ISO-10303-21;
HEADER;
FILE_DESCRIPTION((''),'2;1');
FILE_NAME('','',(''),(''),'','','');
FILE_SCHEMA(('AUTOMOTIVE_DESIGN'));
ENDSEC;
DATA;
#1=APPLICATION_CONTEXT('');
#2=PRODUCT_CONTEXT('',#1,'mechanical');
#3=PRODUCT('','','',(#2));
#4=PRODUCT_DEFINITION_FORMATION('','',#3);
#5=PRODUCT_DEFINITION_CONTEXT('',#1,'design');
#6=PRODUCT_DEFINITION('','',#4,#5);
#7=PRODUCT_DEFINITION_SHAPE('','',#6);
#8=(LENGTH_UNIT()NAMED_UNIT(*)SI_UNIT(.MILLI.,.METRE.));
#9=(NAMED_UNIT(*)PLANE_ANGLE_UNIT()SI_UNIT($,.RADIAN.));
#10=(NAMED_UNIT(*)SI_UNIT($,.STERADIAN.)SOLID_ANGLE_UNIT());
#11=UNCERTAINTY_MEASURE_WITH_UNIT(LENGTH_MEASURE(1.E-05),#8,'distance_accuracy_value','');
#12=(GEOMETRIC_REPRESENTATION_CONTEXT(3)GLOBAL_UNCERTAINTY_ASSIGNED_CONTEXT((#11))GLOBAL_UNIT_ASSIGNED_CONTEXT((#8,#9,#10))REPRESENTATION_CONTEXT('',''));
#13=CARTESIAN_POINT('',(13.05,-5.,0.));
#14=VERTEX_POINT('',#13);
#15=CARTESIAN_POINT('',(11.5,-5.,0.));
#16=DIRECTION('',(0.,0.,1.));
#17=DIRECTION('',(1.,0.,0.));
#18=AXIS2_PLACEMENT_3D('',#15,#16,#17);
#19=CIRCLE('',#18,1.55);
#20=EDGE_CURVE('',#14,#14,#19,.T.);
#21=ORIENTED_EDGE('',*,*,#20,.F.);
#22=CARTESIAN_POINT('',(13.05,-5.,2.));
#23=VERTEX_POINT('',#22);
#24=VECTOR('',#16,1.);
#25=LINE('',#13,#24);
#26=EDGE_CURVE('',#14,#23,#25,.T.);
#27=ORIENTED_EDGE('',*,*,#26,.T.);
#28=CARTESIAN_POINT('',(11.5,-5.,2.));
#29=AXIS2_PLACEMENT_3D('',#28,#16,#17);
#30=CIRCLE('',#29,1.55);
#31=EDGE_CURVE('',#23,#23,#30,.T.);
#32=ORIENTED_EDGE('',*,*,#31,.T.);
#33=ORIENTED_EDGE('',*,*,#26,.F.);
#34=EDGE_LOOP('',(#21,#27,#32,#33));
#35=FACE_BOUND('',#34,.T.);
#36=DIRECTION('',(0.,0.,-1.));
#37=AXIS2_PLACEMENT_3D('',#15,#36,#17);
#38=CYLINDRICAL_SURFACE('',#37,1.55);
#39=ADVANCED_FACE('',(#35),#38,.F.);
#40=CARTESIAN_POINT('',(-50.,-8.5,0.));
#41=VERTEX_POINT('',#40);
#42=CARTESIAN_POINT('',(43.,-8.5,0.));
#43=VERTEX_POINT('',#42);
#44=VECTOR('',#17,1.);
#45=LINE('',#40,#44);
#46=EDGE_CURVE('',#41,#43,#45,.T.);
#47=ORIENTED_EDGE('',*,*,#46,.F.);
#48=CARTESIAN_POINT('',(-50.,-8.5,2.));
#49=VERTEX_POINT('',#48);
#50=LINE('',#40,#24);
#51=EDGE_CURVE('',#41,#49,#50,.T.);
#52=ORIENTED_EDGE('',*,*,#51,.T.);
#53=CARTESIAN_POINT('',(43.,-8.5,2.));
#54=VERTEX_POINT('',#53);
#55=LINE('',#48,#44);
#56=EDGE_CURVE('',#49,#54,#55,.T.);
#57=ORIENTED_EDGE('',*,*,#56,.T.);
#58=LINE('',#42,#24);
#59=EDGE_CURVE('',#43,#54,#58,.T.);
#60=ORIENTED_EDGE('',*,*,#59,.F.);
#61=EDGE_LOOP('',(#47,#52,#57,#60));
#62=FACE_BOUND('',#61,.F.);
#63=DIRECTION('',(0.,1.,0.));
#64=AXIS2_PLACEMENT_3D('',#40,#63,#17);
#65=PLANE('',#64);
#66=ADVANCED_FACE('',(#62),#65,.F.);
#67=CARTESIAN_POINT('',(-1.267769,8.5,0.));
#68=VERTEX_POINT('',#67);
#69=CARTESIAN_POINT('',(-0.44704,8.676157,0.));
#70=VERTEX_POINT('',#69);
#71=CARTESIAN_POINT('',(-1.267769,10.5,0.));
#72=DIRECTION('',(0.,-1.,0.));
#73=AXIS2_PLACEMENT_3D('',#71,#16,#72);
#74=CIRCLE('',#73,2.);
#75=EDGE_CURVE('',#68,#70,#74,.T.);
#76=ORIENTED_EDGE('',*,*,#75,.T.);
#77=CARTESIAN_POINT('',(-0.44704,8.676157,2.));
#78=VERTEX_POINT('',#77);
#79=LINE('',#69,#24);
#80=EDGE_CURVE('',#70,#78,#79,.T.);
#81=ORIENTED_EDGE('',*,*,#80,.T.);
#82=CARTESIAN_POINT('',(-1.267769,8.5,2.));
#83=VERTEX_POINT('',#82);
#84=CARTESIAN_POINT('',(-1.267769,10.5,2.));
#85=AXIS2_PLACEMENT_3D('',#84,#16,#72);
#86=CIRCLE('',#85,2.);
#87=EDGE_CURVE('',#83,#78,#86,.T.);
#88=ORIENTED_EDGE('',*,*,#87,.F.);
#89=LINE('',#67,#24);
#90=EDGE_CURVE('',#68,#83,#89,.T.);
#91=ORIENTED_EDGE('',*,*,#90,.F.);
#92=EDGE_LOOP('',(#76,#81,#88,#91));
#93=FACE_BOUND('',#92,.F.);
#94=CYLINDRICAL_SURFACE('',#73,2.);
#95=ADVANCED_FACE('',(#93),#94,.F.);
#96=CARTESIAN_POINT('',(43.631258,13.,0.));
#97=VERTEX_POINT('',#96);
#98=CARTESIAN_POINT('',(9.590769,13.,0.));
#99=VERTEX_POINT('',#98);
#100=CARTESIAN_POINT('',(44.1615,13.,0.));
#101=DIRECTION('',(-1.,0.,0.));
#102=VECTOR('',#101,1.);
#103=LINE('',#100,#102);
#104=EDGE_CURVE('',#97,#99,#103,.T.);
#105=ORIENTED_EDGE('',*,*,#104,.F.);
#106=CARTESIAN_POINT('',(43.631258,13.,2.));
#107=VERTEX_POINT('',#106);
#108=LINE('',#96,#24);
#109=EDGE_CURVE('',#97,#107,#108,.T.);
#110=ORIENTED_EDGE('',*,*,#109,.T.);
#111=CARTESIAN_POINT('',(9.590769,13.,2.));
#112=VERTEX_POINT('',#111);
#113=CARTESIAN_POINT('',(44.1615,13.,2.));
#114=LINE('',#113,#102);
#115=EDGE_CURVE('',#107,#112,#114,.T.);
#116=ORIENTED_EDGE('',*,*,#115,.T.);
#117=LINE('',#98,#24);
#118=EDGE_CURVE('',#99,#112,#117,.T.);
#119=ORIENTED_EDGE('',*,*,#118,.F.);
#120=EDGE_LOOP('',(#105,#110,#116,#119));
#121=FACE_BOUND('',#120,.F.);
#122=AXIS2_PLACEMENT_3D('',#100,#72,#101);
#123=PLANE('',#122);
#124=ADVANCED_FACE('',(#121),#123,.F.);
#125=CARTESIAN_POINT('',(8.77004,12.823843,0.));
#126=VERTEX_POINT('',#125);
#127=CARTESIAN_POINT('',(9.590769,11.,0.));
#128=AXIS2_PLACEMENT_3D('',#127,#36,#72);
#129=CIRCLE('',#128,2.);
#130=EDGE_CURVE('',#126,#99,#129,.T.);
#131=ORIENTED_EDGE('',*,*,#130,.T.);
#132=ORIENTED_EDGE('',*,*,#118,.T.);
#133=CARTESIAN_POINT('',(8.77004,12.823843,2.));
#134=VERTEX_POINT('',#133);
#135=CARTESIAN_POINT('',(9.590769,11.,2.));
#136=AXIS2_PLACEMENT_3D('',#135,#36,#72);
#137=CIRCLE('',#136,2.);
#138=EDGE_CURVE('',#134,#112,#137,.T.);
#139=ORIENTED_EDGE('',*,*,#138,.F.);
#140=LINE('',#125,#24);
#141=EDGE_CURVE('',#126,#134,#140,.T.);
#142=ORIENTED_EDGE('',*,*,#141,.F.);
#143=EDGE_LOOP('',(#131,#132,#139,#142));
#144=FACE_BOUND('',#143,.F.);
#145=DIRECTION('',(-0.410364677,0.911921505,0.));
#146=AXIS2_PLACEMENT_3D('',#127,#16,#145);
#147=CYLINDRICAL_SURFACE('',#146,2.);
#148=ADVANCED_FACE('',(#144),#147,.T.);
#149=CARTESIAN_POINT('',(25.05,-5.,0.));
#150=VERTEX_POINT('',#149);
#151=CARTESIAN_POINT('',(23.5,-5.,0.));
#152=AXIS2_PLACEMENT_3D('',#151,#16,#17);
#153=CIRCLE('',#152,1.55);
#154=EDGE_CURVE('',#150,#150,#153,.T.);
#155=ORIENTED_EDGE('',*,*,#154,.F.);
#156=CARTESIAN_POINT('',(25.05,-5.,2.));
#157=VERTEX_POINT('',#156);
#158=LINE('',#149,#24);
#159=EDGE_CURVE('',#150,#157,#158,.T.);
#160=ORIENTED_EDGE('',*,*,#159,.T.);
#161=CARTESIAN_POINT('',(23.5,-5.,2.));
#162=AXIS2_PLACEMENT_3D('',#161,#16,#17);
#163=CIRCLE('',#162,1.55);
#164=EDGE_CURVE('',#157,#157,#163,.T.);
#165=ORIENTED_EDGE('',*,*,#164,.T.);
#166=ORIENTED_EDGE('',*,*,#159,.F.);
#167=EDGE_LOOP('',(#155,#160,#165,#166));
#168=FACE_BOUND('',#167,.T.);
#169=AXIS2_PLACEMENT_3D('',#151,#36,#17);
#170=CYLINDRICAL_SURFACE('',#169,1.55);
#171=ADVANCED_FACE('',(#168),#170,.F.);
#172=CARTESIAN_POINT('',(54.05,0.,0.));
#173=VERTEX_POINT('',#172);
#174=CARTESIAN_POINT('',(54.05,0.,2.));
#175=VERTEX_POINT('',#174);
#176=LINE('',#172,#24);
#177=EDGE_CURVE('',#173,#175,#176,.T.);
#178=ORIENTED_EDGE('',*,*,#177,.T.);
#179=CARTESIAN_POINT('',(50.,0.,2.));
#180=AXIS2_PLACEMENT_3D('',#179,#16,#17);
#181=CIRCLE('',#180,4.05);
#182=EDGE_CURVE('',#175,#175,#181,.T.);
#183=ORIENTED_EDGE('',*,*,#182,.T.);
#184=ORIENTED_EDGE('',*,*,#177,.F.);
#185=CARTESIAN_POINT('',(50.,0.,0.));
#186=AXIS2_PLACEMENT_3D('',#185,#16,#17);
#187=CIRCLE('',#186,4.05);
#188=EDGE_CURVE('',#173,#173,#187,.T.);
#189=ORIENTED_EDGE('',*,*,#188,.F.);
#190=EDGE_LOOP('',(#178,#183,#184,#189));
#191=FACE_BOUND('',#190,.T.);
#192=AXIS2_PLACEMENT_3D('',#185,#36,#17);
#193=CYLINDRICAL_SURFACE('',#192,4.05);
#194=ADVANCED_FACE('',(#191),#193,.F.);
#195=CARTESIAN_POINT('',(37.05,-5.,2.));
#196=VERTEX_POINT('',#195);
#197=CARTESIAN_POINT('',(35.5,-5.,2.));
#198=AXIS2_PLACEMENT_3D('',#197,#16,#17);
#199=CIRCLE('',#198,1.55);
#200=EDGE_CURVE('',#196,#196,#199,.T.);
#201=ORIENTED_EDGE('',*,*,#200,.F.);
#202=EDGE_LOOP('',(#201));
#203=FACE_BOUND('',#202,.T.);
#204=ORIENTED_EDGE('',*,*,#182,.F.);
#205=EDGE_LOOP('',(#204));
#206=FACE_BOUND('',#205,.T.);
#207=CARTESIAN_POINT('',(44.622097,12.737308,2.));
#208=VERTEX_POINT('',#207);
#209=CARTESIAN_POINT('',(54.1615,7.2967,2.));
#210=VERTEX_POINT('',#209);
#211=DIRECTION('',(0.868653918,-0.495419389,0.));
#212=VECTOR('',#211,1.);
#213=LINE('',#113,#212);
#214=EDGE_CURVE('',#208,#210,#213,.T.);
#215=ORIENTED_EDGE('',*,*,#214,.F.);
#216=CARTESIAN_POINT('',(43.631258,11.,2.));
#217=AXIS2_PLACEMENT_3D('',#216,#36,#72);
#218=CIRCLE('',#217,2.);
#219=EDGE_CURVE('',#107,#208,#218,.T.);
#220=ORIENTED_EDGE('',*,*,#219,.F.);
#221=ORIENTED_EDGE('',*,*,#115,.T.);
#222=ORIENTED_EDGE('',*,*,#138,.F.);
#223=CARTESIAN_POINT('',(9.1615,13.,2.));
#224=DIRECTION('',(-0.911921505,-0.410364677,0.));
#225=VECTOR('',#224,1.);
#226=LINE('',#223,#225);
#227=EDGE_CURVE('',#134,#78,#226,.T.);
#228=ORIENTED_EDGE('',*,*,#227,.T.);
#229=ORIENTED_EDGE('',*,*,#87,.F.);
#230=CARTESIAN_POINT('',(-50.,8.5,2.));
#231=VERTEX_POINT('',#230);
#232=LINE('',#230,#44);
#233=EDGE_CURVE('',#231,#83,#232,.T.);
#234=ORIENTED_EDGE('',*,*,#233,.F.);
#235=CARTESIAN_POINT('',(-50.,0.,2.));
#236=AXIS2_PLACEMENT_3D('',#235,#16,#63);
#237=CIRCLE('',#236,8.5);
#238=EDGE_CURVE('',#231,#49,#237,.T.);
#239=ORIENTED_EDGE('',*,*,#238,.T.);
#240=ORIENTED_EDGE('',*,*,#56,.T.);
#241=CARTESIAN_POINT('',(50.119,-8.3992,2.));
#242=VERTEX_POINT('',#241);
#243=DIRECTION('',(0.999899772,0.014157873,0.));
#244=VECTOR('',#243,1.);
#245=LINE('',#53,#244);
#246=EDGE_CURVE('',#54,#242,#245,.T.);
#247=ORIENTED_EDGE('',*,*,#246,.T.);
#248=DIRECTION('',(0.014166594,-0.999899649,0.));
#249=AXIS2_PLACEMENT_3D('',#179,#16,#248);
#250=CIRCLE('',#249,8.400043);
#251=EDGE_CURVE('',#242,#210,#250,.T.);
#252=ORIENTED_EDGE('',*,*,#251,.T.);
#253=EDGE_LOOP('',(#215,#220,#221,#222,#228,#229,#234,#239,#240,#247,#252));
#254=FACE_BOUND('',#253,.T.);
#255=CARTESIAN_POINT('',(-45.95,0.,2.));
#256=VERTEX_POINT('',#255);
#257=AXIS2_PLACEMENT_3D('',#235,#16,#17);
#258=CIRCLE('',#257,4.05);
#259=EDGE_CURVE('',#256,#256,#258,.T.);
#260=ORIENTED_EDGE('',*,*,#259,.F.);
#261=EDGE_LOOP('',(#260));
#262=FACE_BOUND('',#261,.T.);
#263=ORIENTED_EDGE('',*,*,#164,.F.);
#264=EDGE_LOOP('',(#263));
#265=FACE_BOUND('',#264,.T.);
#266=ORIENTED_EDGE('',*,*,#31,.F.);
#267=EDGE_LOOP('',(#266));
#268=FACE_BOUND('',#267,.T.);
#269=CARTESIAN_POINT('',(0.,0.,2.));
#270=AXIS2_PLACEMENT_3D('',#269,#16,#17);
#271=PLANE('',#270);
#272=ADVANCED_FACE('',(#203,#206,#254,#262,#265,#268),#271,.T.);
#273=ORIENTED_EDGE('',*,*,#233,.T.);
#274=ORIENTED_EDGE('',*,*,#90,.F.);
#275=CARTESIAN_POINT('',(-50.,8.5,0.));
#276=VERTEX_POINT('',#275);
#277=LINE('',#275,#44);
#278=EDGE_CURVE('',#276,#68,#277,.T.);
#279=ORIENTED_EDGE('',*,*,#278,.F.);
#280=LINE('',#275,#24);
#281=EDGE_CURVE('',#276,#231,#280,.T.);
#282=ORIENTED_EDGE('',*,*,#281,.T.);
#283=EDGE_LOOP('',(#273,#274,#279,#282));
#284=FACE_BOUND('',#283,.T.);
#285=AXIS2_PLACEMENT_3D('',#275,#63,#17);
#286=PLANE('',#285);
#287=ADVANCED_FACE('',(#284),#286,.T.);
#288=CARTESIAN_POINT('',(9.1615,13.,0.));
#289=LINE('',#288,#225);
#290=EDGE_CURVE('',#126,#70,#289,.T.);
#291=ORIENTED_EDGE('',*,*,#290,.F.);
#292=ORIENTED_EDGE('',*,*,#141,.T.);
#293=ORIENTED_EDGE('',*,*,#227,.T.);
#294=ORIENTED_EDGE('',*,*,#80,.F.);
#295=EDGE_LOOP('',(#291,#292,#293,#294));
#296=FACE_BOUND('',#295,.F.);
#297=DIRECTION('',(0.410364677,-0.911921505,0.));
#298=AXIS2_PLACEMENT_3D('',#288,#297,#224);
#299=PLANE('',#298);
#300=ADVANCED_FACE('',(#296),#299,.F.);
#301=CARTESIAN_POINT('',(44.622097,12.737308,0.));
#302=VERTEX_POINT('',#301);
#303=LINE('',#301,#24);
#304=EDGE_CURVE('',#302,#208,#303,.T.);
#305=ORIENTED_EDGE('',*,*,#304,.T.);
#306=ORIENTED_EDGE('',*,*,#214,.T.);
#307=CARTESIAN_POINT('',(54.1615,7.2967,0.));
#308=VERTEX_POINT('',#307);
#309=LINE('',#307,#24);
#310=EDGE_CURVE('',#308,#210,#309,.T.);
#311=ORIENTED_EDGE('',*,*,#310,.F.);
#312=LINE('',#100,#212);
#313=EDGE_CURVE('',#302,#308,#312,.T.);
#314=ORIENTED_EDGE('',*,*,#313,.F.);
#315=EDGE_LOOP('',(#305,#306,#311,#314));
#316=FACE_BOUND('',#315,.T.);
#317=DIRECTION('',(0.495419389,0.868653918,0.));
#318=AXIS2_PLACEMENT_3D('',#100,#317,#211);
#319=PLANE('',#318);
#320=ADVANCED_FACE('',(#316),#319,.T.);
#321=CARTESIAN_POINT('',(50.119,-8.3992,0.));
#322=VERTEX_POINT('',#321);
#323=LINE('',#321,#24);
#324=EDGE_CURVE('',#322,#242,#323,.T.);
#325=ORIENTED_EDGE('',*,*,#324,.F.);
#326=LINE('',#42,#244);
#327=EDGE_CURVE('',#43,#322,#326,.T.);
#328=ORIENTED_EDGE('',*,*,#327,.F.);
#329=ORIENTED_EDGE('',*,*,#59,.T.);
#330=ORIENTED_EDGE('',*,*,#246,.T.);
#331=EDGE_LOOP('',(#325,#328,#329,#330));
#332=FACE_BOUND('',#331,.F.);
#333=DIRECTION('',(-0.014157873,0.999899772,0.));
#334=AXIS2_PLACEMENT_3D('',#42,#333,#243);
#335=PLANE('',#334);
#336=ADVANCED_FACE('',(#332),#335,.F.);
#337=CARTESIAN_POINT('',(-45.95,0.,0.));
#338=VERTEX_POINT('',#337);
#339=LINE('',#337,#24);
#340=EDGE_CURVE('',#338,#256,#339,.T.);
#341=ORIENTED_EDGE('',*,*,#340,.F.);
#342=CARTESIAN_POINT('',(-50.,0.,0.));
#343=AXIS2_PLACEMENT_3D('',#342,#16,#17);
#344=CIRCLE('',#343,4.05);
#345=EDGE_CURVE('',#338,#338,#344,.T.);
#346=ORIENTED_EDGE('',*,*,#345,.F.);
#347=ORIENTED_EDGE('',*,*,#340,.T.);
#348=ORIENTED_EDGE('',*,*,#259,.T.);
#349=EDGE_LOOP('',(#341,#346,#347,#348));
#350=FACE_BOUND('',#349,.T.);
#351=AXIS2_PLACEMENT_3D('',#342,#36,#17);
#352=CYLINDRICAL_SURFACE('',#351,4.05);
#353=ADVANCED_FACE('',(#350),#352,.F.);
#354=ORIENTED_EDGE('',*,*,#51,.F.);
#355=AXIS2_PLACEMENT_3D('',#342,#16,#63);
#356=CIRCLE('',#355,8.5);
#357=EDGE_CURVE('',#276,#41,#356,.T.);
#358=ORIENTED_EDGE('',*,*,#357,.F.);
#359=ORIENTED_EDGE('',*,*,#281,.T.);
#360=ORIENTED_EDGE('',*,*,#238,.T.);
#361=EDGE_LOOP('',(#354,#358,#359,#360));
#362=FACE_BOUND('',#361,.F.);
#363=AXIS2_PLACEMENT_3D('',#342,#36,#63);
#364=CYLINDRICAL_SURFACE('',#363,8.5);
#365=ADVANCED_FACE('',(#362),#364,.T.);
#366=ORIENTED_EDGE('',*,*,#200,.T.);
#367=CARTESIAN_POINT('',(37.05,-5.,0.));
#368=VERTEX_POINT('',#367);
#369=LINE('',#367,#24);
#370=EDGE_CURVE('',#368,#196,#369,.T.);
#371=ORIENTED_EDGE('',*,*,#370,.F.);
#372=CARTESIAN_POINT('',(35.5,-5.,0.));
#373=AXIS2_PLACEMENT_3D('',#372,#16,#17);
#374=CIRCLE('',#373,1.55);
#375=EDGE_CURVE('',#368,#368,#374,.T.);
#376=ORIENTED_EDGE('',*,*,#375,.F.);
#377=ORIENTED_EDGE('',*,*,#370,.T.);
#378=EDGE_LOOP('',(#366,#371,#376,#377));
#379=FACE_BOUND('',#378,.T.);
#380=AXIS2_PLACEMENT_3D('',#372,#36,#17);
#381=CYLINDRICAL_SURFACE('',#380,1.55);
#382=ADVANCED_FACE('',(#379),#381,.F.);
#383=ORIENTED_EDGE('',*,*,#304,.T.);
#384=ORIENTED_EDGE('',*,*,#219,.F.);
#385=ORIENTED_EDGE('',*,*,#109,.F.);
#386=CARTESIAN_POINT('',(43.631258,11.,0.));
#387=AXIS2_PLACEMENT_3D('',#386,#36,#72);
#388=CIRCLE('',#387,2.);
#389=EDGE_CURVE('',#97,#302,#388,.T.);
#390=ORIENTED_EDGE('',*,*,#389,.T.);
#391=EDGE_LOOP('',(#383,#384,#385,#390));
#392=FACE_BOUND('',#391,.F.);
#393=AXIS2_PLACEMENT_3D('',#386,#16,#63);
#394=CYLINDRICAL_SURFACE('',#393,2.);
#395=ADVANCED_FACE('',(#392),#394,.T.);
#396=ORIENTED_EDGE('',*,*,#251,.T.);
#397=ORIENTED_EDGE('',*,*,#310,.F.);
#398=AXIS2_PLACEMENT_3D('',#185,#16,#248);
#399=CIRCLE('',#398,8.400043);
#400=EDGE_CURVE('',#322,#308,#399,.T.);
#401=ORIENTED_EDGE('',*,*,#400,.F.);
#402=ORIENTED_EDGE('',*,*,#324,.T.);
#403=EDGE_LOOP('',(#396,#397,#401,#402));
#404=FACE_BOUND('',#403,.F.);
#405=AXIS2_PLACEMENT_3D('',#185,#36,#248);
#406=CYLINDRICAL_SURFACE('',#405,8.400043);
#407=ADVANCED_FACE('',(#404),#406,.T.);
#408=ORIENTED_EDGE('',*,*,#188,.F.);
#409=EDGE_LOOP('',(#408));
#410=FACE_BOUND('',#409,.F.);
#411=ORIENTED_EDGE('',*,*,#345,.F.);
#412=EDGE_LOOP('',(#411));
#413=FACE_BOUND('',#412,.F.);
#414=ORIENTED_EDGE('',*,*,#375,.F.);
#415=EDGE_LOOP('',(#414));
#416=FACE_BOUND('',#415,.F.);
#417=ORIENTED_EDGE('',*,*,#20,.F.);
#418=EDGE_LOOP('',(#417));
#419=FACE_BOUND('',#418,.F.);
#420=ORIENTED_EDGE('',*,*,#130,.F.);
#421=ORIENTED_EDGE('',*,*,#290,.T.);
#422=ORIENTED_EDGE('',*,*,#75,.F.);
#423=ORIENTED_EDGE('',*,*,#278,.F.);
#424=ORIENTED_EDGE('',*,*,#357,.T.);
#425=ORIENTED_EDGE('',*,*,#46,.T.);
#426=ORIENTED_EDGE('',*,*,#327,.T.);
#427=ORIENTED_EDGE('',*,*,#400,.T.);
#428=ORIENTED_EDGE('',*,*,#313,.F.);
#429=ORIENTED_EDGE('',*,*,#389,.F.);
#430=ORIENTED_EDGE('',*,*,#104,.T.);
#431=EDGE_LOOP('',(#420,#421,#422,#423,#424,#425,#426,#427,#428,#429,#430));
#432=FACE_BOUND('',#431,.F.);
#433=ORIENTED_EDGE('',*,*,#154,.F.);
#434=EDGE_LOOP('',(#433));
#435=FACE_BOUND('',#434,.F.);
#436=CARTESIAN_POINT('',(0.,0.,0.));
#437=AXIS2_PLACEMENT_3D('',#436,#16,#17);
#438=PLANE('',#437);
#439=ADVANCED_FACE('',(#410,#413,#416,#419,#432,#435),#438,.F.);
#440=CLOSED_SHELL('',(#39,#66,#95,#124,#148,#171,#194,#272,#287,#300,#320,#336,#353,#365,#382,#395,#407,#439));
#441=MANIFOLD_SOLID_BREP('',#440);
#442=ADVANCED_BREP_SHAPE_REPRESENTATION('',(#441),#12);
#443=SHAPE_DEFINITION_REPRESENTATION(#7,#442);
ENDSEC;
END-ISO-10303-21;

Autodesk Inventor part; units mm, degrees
ref_plane "YZ Plane" through (0, 0, 0) normal (1, 0, 0) x (0, 1, 0)
ref_plane "XZ Plane" through (0, 0, 0) normal (0, 1, 0) x (-1, 0, 0)
ref_plane "XY Plane" through (0, 0, 0) normal (0, 0, 1) x (1, 0, 0)
sketch "スケッチ1" plane through (0, 0, 0) normal (0, 0, 1) x (1, 0, 0)
  line L0 (-50, 0) -> (50, 0) construction
  circle A0 centre (-50, 0) radius 4.05
  circle A1 centre (50, 0) radius 4.05
  line L1 (-50, 8.5) -> (43, 8.5)
  line L2 (-50, -8.5) -> (43, -8.5)
  arc A2 (-50, 8.5) -> (-50, -8.5) centre (-50, 0) ccw
  line L3 (43, -8.5) -> (50.119, -8.3992)
  line L4 (43, 8.5) -> (50.119, 8.3992)
  arc A3 (50.119, -8.3992) -> (50.119, 8.3992) centre (50, 0) ccw
  line L5 (9, -7.5) -> (38, -7.5) construction
  line L6 (38, -7.5) -> (38, -2.5) construction
  line L7 (38, -2.5) -> (9, -2.5) construction
  line L8 (9, -2.5) -> (9, -7.5) construction
  line L9 (9, -5) -> (38, -5) construction
  circle A4 centre (23.5, -5) radius 1.55
  circle A5 centre (11.5, -5) radius 1.55
  circle A6 centre (35.5, -5) radius 1.55
  line L10 (23.5, -5) -> (23.5, -2.5) construction
  line L11 (44.1615, 13) -> (9.1615, 13)
  line L12 (9.1615, 13) -> (-0.8385, 8.5)
  line L13 (44.1615, 13) -> (54.1615, 7.2967)
  point P0 (0, 0)
  point P1 (0, 0)
  point P2 (52.0517, 8.5)
  dimension "d0" = 100
  dimension "d1" = 8.1
  dimension "d2" = 8.5
  dimension "d8" = 8.1
  dimension "d9" = 7
  dimension "d10" = 8.4
  dimension "d12" = 5
  dimension "d13" = 29
  dimension "d14" = 3.1
  dimension "d15" = 2.5
  dimension "d17" = 13
  dimension "d19" = 10
  dimension "d20" = 35
  dimension "d25" = 12
  dimension "d26" = 10
  dimension "d34" = 1
extrude "押し出し1" add sketch "スケッチ1" along normal blind 2
fillet "フィレット1" radius 2 3 edges at (-0.8385, 8.5, 1) (9.1615, 13, 1) (44.1615, 13, 1)
equation "\"d8\" = d1"
equation "\"d19\" = d18"
equation "\"d26\" = d19"
equation "\"d18\" = 10"
properties part number "リンク_メインフレーム_6_3" material "GFRP"
